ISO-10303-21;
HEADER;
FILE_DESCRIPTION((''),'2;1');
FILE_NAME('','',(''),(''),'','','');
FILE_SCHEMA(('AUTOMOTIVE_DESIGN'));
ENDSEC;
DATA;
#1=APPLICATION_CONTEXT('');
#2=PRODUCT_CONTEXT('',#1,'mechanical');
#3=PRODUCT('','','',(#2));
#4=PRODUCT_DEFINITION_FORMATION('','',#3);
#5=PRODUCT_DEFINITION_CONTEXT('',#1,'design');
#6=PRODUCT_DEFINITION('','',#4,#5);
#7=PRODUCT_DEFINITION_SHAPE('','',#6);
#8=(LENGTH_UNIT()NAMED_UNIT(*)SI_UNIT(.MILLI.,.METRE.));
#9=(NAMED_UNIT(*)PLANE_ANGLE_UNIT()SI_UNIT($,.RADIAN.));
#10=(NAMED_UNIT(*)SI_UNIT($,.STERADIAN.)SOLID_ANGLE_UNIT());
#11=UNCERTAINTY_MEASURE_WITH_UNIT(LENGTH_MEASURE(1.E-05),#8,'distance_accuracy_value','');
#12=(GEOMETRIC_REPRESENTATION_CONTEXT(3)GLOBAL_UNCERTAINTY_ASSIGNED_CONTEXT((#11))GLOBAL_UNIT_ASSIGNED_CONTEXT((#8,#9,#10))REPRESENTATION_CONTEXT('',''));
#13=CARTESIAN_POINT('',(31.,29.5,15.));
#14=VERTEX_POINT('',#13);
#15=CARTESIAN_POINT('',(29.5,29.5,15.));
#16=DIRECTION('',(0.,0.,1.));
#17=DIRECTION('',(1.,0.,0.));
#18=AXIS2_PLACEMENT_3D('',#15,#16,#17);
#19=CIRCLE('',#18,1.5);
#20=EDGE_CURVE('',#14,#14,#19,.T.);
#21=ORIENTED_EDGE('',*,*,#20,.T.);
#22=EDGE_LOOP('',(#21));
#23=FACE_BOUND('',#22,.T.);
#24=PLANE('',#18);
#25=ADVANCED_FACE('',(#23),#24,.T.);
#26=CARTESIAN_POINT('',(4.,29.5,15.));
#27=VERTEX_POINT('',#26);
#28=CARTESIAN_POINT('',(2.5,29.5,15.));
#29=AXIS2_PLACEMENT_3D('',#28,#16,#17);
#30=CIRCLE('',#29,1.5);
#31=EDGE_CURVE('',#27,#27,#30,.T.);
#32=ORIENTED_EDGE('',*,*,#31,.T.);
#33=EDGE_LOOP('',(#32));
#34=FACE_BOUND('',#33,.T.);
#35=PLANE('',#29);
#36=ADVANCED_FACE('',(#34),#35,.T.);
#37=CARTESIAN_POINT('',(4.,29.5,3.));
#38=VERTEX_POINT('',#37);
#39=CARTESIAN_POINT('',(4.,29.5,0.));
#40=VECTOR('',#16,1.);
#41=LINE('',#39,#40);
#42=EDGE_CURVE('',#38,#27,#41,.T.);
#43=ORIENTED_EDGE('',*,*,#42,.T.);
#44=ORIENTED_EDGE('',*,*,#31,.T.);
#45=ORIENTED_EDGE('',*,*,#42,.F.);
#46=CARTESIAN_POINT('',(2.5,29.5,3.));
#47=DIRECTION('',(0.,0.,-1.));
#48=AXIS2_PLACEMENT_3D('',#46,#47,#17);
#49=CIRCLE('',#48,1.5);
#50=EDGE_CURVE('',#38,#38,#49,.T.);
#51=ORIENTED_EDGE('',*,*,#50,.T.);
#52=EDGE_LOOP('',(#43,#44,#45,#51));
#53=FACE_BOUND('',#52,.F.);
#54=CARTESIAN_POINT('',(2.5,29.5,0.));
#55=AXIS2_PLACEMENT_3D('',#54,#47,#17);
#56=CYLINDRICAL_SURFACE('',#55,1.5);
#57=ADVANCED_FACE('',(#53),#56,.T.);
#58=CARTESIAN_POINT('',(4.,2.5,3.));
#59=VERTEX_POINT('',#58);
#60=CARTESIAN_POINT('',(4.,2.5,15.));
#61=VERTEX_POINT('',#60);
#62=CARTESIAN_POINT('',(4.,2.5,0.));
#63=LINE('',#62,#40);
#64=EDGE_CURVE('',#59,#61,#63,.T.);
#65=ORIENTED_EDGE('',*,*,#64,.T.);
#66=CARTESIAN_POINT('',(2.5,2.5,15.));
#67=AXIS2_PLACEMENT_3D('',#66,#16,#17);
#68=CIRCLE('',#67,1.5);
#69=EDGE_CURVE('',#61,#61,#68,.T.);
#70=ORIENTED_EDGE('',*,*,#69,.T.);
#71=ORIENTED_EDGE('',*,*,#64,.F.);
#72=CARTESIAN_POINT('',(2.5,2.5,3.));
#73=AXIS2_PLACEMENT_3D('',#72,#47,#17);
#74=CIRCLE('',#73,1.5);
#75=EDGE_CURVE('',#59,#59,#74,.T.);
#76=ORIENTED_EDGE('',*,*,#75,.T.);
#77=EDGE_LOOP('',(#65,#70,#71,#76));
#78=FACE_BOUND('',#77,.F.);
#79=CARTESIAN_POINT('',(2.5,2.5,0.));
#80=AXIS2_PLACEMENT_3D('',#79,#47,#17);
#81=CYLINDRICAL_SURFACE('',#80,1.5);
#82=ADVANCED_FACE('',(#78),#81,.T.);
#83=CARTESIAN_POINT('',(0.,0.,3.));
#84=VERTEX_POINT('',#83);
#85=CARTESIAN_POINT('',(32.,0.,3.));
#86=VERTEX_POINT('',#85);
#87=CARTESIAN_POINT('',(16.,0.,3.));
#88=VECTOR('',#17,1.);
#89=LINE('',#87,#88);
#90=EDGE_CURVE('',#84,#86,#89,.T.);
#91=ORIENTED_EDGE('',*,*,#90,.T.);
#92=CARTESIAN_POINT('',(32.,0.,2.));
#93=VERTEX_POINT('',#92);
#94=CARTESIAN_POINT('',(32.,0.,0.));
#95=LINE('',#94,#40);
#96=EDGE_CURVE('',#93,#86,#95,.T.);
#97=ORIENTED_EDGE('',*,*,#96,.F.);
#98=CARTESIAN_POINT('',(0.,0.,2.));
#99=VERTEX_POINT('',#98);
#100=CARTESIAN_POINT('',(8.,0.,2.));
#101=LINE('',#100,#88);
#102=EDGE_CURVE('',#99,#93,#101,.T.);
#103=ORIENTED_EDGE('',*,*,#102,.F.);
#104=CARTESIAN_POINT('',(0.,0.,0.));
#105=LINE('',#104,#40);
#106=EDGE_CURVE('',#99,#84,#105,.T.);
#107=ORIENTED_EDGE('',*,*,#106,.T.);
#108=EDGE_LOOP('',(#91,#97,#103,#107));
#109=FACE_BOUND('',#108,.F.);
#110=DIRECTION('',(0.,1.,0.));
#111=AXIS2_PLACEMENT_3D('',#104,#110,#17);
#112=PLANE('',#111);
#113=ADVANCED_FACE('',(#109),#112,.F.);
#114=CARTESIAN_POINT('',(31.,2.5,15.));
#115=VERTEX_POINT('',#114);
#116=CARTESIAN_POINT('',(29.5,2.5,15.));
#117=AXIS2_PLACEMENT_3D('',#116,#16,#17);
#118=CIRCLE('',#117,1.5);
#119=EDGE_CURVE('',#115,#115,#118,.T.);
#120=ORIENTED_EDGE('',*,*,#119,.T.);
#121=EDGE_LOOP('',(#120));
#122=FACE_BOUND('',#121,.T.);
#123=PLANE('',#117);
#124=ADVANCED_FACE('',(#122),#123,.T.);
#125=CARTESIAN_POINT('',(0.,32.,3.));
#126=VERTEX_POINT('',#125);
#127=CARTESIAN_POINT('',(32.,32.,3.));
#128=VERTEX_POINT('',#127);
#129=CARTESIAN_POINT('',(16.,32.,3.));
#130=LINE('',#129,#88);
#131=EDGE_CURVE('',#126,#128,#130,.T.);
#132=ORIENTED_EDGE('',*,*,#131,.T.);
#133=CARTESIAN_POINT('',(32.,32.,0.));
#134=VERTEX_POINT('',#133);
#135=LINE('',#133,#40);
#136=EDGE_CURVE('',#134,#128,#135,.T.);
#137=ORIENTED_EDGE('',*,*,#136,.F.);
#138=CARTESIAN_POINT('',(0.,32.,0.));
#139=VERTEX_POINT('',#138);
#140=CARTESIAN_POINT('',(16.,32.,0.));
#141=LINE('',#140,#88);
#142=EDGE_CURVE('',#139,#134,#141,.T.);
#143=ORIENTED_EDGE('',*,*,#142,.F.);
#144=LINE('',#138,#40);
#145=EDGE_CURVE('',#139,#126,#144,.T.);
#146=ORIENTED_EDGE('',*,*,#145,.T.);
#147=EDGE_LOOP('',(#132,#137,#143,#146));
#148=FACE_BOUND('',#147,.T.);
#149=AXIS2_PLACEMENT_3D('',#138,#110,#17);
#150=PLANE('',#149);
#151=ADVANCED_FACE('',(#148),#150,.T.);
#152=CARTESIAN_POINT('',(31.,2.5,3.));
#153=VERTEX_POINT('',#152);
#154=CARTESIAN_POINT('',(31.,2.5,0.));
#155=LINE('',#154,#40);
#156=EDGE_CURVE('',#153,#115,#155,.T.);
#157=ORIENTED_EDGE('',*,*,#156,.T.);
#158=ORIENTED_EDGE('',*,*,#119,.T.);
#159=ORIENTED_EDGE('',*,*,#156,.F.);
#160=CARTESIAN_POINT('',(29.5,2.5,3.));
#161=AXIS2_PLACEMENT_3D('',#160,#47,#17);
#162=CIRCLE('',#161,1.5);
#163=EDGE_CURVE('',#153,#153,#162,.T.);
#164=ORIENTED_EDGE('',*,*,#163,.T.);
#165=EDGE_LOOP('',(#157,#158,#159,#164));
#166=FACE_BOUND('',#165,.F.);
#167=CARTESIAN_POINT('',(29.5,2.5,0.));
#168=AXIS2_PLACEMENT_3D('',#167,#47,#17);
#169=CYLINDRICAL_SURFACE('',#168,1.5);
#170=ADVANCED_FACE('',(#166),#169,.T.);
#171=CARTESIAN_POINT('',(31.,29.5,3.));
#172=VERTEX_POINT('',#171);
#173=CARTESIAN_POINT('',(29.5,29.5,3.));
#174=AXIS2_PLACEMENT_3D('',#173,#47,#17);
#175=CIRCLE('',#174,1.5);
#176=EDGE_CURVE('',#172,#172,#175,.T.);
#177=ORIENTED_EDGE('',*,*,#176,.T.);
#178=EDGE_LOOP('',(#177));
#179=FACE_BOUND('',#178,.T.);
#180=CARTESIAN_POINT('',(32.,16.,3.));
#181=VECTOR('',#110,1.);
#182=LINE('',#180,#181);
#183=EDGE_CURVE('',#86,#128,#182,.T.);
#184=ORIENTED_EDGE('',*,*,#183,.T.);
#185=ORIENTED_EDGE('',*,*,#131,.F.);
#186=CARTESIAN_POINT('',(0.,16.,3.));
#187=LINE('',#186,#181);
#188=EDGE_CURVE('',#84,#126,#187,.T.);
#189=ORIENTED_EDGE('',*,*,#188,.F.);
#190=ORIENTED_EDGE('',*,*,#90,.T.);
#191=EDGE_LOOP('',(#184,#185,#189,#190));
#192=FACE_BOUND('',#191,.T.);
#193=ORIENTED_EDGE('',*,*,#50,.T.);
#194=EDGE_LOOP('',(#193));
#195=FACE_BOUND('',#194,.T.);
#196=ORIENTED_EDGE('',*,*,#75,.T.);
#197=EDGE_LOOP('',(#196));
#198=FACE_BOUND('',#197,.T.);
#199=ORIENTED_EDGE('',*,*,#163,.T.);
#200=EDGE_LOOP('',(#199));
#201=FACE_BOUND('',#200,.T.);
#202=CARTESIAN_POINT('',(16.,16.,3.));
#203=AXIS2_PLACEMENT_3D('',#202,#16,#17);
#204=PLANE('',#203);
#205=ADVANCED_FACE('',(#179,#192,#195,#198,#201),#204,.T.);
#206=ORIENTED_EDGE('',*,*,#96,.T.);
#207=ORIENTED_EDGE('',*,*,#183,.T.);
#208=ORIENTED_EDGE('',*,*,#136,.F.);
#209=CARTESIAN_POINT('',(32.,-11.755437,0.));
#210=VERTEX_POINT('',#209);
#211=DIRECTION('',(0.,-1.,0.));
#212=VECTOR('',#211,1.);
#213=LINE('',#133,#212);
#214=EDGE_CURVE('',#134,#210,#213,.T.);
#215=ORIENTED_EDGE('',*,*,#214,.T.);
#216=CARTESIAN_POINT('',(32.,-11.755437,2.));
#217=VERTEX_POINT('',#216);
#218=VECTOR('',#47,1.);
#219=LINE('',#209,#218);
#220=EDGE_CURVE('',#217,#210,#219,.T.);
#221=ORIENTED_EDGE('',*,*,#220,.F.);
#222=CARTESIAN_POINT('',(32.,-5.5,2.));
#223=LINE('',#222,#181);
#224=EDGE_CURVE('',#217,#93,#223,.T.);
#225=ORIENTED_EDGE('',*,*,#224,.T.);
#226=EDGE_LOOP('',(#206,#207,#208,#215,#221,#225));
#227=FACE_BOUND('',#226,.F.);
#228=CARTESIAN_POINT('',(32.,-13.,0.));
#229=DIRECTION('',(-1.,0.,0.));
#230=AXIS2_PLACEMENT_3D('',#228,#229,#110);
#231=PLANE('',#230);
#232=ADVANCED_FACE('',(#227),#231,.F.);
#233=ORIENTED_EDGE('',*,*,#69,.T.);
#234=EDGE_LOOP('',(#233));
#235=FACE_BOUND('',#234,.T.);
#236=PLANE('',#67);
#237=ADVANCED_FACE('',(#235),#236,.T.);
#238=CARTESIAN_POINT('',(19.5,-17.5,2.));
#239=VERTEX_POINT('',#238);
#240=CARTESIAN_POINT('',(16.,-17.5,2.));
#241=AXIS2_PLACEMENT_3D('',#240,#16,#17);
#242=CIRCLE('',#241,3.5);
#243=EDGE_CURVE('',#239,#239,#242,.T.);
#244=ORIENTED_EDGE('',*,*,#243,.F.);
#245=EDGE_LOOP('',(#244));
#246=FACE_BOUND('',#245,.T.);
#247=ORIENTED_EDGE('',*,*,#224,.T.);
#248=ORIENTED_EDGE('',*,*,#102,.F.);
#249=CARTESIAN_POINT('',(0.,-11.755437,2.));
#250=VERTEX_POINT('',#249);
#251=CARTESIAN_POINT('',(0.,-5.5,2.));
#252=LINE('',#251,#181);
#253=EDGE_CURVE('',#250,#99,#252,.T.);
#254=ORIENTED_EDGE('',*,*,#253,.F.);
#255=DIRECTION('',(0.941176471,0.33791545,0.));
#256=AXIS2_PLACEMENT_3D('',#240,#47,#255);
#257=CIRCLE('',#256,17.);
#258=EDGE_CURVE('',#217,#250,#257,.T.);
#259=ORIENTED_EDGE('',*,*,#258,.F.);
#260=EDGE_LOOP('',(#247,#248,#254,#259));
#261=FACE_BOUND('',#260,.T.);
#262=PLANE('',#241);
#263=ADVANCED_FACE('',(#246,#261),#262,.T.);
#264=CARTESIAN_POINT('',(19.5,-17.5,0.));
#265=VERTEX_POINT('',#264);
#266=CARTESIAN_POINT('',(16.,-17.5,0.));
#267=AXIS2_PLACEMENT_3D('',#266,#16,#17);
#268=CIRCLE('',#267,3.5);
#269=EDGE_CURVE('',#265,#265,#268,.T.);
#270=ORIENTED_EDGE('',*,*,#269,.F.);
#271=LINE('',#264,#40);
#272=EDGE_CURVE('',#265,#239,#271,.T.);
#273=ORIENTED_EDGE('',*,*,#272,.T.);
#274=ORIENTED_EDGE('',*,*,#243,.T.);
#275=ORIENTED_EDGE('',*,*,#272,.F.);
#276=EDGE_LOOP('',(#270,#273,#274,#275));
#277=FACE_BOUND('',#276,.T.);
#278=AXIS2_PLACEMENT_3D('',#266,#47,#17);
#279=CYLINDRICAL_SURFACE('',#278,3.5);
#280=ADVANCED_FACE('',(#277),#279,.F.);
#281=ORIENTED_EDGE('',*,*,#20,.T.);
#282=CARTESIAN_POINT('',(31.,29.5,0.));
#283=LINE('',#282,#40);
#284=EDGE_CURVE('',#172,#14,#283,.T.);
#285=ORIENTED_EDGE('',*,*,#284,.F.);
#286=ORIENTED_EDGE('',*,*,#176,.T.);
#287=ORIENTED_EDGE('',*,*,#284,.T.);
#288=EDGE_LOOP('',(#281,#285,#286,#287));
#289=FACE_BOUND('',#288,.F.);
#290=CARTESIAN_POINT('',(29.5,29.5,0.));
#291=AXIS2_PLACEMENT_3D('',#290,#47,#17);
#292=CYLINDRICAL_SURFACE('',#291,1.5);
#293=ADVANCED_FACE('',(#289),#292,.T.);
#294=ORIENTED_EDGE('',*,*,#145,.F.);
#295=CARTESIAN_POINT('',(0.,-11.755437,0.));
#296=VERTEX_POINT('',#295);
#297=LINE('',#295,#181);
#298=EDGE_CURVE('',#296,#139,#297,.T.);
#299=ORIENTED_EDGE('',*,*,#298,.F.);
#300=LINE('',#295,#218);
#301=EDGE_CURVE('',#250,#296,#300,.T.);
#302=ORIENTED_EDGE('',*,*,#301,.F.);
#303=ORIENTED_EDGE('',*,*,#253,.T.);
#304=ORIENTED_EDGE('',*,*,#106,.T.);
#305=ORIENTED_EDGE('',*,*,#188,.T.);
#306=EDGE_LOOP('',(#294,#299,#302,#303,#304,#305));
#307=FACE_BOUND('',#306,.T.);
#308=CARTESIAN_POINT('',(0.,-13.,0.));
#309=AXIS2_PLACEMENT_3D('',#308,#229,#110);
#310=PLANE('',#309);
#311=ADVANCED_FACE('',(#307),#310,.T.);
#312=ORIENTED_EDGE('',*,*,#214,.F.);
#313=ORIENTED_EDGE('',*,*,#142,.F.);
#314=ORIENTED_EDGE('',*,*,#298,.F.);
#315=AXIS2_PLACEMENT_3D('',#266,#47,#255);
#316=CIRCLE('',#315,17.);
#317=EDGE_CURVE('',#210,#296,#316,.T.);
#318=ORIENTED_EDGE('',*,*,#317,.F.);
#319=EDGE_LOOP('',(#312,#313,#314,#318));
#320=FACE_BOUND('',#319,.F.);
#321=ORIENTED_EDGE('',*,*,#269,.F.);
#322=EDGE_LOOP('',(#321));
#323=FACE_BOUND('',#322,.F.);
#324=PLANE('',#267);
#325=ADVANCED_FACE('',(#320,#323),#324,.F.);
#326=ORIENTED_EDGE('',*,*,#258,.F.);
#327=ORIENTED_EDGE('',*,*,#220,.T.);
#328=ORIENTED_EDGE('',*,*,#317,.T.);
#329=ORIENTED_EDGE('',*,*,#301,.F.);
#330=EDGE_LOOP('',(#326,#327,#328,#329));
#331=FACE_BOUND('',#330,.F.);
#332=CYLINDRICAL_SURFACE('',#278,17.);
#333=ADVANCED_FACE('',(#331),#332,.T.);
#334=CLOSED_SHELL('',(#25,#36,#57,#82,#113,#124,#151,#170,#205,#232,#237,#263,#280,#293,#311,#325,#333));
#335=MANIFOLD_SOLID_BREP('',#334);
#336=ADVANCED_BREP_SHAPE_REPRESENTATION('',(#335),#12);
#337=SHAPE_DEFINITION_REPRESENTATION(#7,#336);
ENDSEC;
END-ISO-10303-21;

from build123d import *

# Parameters (mm, degrees)
BOX001_W          = 32
BOX001_H          = 15
BOX001_DEPTH      = 2
CYLINDER005_R     = 3.5
CYLINDER005_DEPTH = 2
CYLINDER004_R     = 17
CYLINDER004_DEPTH = 2
CYLINDER003_R     = 1.5
CYLINDER003_DEPTH = 15
CYLINDER002_R     = 1.5
CYLINDER002_DEPTH = 15
CYLINDER001_R     = 1.5
CYLINDER001_DEPTH = 15
CYLINDER_R        = 1.5
CYLINDER_DEPTH    = 15
BOX_W             = 32
BOX_H             = 32
BOX_DEPTH         = 3


with BuildPart() as cube001:
    # Box001 → Box001 (new body)
    with BuildSketch(Plane(origin=(0, -13, 0), x_dir=(1, 0, 0), z_dir=(0, 0, 1))):
        with Locations((16, 7.5)):
            Rectangle(BOX001_W, BOX001_H)
    extrude(amount=BOX001_DEPTH)


with BuildPart() as cylinder005:
    # Cylinder005 → Cylinder005 (new body)
    with BuildSketch(Plane(origin=(16, -17.5, 0), x_dir=(1, 0, 0), z_dir=(0, 0, 1))):
        Circle(CYLINDER005_R)
    extrude(amount=CYLINDER005_DEPTH)


with BuildPart() as cut:
    # Cylinder004 → Cylinder004 (new body)
    with BuildSketch(Plane(origin=(16, -17.5, 0), x_dir=(1, 0, 0), z_dir=(0, 0, 1))):
        Circle(CYLINDER004_R)
    extrude(amount=CYLINDER004_DEPTH)

    # Cut: cut Cylinder005
    add(cylinder005.part, mode=Mode.SUBTRACT)


with BuildPart() as cylinder003:
    # Cylinder003 → Cylinder003 (new body)
    with BuildSketch(Plane(origin=(29.5, 29.5, 0), x_dir=(1, 0, 0), z_dir=(0, 0, 1))):
        Circle(CYLINDER003_R)
    extrude(amount=CYLINDER003_DEPTH)


with BuildPart() as cylinder002:
    # Cylinder002 → Cylinder002 (new body)
    with BuildSketch(Plane(origin=(2.5, 29.5, 0), x_dir=(1, 0, 0), z_dir=(0, 0, 1))):
        Circle(CYLINDER002_R)
    extrude(amount=CYLINDER002_DEPTH)


with BuildPart() as cylinder001:
    # Cylinder001 → Cylinder001 (new body)
    with BuildSketch(Plane(origin=(29.5, 2.5, 0), x_dir=(1, 0, 0), z_dir=(0, 0, 1))):
        Circle(CYLINDER001_R)
    extrude(amount=CYLINDER001_DEPTH)


with BuildPart() as cylinder:
    # Cylinder → Cylinder (new body)
    with BuildSketch(Plane(origin=(2.5, 2.5, 0), x_dir=(1, 0, 0), z_dir=(0, 0, 1))):
        Circle(CYLINDER_R)
    extrude(amount=CYLINDER_DEPTH)


with BuildPart() as fusion005:
    # Box → Box (new body)
    with BuildSketch(Plane.XY):
        with Locations((16, 16)):
            Rectangle(BOX_W, BOX_H)
    extrude(amount=BOX_DEPTH)

    # Fusion: union Cylinder
    add(cylinder.part)

    # Fusion001: union Cylinder001
    add(cylinder001.part)

    # Fusion002: union Cylinder002
    add(cylinder002.part)

    # Fusion003: union Cylinder003
    add(cylinder003.part)

    # Fusion004: union Cut
    add(cut.part)

    # Fusion005: union Cube001
    add(cube001.part)


solid = fusion005.part
